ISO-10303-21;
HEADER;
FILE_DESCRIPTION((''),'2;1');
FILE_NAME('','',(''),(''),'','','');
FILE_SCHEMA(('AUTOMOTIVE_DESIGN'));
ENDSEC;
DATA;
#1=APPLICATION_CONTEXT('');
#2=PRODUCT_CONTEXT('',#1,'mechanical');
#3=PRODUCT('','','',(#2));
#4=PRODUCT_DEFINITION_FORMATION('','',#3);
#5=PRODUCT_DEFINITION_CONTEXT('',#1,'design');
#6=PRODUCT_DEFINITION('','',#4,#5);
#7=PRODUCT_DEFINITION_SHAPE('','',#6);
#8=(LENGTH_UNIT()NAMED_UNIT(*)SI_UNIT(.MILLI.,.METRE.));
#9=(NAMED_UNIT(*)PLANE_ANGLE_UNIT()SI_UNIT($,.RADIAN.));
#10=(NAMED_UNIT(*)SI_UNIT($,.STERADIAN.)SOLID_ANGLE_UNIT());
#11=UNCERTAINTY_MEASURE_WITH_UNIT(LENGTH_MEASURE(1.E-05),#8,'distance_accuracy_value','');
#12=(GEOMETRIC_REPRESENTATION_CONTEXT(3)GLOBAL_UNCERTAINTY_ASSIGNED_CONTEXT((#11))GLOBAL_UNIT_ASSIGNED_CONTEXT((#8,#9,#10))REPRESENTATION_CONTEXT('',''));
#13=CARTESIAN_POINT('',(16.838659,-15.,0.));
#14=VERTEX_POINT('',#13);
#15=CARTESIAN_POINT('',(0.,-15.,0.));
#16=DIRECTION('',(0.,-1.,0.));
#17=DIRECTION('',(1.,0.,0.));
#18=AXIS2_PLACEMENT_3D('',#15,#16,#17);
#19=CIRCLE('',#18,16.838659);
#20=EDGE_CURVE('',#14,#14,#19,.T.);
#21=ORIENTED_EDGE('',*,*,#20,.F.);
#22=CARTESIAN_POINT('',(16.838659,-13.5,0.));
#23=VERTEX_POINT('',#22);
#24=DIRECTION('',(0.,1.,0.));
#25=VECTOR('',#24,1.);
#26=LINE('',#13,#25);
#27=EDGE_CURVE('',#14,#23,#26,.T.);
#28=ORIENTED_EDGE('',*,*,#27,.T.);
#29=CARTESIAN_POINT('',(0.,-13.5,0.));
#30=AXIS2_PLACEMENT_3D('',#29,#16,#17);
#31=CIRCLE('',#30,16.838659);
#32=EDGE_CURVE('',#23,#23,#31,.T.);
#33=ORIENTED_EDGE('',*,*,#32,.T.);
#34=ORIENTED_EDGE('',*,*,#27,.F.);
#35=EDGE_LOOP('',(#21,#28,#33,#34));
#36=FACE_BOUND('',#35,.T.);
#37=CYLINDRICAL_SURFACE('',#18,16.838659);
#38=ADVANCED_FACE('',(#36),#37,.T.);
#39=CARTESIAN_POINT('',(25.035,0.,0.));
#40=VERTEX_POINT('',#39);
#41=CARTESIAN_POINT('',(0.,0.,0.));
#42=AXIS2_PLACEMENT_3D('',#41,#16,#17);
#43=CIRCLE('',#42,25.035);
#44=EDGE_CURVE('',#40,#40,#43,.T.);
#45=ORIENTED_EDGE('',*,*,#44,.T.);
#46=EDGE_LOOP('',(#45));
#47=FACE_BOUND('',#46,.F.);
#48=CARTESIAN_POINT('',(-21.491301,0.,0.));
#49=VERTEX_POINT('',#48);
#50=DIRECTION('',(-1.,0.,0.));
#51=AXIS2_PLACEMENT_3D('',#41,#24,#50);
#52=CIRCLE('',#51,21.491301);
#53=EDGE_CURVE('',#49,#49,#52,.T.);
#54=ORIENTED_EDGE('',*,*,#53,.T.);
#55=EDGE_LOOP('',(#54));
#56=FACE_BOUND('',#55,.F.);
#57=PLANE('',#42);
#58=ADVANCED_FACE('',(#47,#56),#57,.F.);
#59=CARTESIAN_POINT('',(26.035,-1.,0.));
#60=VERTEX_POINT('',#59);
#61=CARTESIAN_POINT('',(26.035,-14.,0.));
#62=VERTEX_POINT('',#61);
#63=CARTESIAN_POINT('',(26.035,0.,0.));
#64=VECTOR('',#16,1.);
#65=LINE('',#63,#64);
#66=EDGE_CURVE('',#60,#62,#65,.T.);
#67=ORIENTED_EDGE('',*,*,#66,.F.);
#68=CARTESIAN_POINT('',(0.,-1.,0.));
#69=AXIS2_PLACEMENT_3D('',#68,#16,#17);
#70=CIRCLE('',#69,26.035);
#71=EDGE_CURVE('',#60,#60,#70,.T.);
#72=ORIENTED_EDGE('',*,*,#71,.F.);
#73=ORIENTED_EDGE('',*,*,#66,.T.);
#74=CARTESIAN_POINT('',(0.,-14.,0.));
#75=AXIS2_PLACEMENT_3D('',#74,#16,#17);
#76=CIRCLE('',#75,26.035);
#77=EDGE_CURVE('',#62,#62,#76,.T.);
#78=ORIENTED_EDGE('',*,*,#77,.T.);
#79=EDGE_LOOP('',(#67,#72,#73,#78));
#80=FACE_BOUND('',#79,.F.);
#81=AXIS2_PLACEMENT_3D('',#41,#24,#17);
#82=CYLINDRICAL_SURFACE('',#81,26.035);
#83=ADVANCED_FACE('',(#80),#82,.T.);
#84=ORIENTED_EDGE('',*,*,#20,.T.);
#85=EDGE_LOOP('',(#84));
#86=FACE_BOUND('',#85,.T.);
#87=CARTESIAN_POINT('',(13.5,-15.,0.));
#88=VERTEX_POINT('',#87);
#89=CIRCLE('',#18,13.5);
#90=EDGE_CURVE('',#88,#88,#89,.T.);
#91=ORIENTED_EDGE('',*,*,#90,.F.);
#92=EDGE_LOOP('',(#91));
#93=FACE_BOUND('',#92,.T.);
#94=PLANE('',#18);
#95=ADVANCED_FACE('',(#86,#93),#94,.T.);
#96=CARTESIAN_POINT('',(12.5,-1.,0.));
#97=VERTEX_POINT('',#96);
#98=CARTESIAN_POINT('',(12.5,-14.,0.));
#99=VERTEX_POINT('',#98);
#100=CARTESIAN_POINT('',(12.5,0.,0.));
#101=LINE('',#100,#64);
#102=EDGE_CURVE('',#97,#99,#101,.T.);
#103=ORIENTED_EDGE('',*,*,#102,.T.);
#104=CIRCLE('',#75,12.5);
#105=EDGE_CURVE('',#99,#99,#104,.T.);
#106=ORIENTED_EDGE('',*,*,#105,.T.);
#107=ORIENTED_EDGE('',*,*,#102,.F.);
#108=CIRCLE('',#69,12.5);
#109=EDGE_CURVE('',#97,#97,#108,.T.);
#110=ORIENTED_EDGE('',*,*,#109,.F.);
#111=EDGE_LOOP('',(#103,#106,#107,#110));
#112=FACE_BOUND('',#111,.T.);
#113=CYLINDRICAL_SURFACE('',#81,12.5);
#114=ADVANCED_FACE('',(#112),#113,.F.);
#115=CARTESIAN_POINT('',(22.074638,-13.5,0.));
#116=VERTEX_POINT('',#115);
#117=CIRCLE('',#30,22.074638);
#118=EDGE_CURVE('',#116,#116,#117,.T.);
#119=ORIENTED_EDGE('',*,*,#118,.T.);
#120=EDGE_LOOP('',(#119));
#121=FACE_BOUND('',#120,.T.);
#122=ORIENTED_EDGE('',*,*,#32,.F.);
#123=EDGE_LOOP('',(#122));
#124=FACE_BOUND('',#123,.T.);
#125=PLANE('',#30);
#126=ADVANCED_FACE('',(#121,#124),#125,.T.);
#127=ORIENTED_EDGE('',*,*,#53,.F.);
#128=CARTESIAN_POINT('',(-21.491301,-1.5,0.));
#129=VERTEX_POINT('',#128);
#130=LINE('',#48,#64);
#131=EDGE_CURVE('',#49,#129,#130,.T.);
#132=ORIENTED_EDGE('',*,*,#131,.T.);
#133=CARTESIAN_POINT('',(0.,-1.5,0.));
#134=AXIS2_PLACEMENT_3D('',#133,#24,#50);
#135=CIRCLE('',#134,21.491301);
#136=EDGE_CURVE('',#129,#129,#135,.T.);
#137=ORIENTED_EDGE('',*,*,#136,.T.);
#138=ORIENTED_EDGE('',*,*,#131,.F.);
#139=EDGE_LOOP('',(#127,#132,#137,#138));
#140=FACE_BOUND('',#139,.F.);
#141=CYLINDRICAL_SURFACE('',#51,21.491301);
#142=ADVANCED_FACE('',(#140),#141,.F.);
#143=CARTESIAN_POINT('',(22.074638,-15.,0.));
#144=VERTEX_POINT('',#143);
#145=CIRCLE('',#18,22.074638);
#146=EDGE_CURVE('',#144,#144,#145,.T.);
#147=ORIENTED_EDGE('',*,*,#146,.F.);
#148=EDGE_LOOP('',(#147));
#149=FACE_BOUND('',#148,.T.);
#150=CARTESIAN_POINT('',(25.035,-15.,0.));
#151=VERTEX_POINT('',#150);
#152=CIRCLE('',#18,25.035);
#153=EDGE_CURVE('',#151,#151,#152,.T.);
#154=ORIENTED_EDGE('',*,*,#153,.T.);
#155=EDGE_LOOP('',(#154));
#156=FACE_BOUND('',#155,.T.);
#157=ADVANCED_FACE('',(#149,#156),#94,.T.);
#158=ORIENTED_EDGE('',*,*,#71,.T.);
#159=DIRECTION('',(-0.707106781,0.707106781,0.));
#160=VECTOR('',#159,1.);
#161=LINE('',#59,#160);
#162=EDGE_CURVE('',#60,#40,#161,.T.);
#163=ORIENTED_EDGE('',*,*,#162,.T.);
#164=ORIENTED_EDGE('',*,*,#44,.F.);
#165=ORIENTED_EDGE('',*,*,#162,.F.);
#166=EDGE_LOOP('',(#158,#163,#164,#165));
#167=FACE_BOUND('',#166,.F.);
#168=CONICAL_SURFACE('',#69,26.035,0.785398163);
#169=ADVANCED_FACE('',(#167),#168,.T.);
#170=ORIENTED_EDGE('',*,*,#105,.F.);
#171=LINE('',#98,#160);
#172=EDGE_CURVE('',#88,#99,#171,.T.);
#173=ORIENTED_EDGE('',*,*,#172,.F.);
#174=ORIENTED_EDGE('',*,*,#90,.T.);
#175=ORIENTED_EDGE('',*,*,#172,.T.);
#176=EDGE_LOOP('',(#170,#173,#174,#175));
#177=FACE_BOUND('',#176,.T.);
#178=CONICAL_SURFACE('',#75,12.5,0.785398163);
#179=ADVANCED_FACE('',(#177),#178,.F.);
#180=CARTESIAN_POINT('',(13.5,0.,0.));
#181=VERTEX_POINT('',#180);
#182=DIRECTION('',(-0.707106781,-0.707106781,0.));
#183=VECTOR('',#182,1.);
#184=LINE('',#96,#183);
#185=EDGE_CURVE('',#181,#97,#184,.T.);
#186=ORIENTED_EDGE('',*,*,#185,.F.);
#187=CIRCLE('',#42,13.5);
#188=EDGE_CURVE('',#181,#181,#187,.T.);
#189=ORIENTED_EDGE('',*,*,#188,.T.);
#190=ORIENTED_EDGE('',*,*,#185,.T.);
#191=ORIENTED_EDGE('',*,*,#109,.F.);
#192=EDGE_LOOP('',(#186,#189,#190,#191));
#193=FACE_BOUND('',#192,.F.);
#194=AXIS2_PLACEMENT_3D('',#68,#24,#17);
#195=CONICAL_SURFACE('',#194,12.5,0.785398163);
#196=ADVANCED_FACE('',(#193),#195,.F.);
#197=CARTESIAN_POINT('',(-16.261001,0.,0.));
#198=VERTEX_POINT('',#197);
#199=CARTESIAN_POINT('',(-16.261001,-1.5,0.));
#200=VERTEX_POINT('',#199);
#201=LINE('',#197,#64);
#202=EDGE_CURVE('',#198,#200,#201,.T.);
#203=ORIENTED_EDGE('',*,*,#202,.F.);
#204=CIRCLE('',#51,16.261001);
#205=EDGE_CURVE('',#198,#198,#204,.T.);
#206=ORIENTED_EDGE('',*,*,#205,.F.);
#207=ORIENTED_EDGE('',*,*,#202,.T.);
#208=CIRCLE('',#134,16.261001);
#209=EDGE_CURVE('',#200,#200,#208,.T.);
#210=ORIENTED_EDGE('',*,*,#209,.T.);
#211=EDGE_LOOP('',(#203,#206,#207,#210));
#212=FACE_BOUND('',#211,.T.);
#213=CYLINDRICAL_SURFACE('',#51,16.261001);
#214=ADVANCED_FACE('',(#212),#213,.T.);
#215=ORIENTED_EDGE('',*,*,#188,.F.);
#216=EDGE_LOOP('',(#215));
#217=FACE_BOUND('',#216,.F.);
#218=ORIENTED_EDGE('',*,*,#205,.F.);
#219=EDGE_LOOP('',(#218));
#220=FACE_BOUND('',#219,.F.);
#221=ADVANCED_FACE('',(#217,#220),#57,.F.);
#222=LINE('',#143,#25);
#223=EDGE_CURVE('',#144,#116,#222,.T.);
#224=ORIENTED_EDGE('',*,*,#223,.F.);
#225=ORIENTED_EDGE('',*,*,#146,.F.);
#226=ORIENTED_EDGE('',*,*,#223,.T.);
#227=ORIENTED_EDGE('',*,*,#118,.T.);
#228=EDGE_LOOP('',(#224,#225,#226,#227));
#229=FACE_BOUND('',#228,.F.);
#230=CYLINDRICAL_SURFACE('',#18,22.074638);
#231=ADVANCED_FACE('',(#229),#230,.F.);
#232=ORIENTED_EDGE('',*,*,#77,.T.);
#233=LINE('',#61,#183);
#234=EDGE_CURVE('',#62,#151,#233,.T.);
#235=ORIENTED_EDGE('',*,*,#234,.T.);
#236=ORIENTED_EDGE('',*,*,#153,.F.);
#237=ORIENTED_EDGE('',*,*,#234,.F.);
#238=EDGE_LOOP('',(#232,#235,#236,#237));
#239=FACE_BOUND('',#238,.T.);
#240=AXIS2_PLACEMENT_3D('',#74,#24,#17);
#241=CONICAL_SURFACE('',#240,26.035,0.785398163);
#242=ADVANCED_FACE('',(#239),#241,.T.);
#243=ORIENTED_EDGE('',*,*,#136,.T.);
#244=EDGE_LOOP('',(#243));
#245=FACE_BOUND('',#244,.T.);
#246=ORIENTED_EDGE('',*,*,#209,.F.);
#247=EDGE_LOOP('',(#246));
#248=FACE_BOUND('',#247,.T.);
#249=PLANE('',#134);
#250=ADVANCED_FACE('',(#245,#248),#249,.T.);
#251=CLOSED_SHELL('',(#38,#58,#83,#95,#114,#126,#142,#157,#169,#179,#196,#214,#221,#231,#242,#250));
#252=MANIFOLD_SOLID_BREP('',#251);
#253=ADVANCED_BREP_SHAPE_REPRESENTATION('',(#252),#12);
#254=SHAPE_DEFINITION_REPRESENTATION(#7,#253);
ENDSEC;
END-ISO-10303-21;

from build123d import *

# Parameters (mm, degrees)
F0_R     = 26.035
F0_R_2   = 12.5
F1_DEPTH = 15
F2_R     = 22.074638
F2_R_2   = 16.838659
F3_DEPTH = 1.5
F4_R     = 21.491301
F4_R_2   = 16.261001
F5_DEPTH = 1.5
F6_SIZE  = 1


with BuildPart() as f1:
    # F0 (on Front) → F1 (new body)
    with BuildSketch(Plane.XZ):
        Circle(F0_R)
        Circle(F0_R_2, mode=Mode.SUBTRACT)
    extrude(amount=F1_DEPTH)

    # F2 (on face) → F3 (cut)
    with BuildSketch(Plane.XZ.offset(15)):
        Circle(F2_R)
        Circle(F2_R_2, mode=Mode.SUBTRACT)
    extrude(amount=-F3_DEPTH, mode=Mode.SUBTRACT)

    # F4 (on face) → F5 (cut)
    with BuildSketch(Plane(origin=(0, 0, 0), x_dir=(-1, 0, 0), z_dir=(0, 1, 0))):
        Circle(F4_R)
        Circle(F4_R_2, mode=Mode.SUBTRACT)
    extrude(amount=-F5_DEPTH, mode=Mode.SUBTRACT)

    # F6
    f6_edges = [f1.edges().sort_by_distance(p)[0] for p in [
        (-26.035, 0, 0),
        (-26.035, -15, 0),
        (-12.5, -15, 0),
        (-12.5, 0, 0),
    ]]
    chamfer(f6_edges, length=F6_SIZE)


solid = f1.part
